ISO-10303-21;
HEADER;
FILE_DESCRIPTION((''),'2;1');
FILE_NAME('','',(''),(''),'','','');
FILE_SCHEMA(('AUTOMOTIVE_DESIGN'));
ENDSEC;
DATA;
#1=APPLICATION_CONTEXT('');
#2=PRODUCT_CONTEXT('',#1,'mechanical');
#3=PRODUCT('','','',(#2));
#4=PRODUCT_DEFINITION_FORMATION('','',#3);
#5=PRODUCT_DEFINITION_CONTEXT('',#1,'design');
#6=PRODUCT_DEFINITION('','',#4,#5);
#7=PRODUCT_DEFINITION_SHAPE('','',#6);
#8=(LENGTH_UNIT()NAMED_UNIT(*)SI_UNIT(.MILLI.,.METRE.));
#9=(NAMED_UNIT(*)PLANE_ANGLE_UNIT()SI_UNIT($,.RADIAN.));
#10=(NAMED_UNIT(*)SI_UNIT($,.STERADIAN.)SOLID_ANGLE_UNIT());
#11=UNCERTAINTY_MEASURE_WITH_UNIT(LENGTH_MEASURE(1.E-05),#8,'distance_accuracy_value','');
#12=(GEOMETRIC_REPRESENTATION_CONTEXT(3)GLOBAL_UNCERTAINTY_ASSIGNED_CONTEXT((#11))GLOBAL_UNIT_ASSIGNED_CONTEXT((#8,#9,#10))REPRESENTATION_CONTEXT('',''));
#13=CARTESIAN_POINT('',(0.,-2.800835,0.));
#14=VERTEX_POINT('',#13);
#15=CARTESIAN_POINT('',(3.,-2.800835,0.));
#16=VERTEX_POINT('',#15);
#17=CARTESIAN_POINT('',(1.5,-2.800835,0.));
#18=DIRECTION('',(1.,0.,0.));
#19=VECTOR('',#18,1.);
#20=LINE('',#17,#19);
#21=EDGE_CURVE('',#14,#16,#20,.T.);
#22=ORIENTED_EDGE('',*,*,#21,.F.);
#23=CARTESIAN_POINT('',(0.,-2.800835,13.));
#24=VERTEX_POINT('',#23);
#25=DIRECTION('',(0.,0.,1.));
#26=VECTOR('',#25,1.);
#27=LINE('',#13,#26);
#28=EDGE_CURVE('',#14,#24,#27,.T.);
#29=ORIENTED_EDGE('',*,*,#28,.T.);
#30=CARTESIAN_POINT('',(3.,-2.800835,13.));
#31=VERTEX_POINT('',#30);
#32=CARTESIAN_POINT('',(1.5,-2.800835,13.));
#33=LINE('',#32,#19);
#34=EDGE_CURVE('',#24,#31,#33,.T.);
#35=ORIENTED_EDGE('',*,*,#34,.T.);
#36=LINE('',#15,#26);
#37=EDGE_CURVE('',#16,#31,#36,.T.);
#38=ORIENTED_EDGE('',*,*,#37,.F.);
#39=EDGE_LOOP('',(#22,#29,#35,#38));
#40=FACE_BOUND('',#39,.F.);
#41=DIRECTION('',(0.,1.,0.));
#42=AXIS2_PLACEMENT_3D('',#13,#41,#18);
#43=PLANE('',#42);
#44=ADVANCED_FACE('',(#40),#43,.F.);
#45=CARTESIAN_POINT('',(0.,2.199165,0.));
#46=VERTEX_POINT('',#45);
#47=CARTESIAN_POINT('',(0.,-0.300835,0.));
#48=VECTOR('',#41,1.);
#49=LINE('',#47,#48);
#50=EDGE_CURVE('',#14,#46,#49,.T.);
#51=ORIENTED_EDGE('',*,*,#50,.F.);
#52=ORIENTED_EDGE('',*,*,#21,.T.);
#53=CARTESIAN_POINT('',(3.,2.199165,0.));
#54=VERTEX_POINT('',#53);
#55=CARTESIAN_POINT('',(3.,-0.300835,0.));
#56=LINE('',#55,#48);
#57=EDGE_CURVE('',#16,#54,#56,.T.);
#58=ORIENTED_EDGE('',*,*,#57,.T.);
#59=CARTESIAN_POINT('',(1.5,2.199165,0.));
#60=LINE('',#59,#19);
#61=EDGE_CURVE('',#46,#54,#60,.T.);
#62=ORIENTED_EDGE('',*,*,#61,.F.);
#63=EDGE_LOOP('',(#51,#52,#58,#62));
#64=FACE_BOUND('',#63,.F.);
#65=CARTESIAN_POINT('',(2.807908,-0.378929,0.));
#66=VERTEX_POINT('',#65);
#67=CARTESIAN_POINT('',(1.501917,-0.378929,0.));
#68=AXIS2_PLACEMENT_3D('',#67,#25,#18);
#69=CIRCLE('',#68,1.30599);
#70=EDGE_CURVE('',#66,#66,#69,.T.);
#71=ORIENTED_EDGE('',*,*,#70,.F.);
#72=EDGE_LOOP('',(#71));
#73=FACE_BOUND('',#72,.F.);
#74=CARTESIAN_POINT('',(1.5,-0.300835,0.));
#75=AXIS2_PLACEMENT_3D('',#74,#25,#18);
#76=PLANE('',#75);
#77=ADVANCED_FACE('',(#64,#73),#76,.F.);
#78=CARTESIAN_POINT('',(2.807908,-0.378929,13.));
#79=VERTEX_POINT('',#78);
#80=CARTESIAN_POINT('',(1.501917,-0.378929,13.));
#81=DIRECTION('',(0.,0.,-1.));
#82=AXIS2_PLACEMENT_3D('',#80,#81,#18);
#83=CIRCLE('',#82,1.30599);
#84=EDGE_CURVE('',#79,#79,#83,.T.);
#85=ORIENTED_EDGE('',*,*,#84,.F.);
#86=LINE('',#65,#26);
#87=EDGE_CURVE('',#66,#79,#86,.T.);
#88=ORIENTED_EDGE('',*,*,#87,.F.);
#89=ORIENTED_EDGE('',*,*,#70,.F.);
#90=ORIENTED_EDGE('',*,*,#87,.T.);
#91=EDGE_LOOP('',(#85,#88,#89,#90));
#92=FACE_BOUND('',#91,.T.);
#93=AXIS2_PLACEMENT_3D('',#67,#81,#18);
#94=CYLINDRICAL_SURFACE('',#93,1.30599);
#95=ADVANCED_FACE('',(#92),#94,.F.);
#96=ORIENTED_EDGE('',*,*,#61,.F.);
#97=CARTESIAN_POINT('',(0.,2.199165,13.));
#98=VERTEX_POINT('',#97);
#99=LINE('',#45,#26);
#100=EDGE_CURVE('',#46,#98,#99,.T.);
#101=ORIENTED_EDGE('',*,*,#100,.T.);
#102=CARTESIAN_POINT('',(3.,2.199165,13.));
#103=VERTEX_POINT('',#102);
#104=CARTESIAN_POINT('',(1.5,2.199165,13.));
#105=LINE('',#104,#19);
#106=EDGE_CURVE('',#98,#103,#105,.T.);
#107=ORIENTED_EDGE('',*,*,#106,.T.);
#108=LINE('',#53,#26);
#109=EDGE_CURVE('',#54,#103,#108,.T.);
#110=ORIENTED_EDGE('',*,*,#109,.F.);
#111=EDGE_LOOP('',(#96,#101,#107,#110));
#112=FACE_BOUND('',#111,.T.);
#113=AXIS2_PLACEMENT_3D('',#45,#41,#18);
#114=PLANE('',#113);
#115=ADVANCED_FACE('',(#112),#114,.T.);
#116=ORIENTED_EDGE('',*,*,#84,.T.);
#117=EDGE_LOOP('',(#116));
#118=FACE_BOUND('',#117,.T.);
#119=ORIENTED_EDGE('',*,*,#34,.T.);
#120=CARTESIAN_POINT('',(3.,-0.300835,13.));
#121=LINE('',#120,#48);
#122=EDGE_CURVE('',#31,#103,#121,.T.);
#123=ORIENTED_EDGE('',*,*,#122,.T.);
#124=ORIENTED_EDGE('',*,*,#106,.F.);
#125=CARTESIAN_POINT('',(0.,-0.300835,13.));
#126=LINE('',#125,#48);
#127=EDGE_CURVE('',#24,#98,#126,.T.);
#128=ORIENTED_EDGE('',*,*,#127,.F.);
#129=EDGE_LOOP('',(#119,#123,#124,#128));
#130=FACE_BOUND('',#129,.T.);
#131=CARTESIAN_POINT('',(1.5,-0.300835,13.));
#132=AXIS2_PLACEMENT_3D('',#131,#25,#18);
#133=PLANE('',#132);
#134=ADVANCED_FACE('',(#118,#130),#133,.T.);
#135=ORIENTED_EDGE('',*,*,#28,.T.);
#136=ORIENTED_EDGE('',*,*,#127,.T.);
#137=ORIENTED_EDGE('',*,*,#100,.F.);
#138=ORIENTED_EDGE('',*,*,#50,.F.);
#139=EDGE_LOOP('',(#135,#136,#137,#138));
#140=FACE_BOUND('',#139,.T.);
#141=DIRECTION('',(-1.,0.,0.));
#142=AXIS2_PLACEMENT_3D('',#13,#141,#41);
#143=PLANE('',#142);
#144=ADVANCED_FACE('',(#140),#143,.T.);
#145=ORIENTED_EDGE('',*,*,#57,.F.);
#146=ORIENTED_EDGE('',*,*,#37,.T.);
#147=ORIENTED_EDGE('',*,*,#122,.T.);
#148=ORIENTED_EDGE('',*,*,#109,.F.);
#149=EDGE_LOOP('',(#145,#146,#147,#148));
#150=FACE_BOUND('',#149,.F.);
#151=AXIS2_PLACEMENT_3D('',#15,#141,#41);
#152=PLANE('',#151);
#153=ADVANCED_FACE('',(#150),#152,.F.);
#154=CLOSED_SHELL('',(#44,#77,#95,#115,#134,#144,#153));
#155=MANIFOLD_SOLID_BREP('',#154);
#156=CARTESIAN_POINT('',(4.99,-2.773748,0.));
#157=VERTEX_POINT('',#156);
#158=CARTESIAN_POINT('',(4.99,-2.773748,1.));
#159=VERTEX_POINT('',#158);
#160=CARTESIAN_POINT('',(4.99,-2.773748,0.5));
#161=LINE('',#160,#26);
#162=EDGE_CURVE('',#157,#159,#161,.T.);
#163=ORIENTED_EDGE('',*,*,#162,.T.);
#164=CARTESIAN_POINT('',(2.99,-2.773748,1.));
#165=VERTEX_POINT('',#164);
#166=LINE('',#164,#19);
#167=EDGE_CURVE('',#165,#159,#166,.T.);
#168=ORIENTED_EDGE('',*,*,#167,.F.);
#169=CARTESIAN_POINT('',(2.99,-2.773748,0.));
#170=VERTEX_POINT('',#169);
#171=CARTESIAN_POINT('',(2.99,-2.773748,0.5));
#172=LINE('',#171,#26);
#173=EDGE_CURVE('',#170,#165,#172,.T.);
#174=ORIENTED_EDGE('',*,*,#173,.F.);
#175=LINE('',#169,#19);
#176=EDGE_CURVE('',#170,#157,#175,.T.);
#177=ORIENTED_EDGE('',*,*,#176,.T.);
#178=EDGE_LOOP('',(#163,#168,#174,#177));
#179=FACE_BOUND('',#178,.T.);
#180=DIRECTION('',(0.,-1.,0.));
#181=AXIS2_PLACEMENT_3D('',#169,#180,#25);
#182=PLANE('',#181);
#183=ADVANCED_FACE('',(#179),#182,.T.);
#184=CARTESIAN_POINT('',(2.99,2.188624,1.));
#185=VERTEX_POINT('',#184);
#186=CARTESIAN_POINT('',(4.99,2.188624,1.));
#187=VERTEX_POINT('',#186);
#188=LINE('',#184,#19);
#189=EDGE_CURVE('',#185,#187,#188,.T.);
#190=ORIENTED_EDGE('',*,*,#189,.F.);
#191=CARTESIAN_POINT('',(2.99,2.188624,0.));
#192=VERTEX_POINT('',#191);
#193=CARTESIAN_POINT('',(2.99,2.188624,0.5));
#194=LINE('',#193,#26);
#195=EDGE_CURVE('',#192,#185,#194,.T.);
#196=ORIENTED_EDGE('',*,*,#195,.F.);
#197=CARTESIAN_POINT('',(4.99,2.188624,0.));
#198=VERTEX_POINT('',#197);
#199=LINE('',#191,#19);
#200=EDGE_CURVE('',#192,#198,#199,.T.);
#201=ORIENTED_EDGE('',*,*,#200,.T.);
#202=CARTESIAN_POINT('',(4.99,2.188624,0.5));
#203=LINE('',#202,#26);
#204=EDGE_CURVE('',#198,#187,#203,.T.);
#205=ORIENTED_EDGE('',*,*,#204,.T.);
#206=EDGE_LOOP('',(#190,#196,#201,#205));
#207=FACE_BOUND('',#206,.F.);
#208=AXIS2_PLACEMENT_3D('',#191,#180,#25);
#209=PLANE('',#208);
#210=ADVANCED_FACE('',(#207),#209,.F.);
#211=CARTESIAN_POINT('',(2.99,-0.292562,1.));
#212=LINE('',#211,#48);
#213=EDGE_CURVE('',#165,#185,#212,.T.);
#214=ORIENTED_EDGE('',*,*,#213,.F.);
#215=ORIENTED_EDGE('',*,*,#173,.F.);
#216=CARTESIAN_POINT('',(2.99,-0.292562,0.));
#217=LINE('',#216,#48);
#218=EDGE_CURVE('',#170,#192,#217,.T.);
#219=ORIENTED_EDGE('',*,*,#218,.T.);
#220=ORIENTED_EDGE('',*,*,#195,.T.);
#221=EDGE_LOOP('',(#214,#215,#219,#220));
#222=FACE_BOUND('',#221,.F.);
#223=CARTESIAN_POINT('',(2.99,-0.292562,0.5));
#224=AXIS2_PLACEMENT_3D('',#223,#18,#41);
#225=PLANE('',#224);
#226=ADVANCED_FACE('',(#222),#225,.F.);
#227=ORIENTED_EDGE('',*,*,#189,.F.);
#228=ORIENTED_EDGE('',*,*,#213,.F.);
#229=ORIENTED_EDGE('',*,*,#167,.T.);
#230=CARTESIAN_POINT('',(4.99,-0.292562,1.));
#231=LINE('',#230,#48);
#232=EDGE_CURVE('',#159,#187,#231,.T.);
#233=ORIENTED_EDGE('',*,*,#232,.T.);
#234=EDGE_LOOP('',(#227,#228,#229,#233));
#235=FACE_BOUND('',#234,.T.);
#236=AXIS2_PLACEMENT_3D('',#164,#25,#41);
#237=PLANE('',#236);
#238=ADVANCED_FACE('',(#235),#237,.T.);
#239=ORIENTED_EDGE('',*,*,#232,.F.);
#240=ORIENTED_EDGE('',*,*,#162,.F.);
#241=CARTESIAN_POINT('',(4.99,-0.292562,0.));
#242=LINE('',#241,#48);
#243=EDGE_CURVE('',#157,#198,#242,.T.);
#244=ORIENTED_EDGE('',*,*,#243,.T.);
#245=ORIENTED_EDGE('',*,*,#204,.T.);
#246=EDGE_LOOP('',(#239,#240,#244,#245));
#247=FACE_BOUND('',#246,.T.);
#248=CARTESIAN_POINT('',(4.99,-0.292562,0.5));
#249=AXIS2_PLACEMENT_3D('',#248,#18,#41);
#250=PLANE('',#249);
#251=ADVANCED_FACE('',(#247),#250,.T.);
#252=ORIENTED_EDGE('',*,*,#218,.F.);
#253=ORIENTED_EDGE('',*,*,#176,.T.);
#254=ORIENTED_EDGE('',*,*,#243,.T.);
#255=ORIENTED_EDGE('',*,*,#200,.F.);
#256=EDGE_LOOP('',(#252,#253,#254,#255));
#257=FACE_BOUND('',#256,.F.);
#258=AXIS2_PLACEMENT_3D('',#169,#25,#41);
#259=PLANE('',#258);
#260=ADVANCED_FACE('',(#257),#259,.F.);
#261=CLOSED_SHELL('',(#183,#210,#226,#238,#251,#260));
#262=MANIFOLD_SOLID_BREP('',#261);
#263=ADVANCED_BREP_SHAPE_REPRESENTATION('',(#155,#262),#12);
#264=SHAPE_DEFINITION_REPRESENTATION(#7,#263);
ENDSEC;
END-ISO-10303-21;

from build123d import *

# Parameters (mm, degrees)
F0_W     = 3
F0_H     = 5
F1_DEPTH = 13
F3_W     = 4.9623721501
F3_H     = 1
F4_DEPTH = 2
F5_R     = 1.3059904098
F6_DEPTH = 43.8


with BuildPart() as f1:
    # F0 (on Top) → F1 (new body)
    with BuildSketch(Plane.XY):
        with Locations((1.5, -0.3008348739)):
            Rectangle(F0_W, F0_H)
    extrude(amount=F1_DEPTH)

    # F5 (on Top) → F6 (cut)
    with BuildSketch(Plane.XY):
        with Locations((1.5019174898, -0.378929486)):
            Circle(F5_R)
    extrude(amount=F6_DEPTH, mode=Mode.SUBTRACT)


with BuildPart() as f4:
    # F3 (on offset) → F4 (new body)
    with BuildSketch(Plane.YZ.offset(2.99)):
        with Locations((-0.2925620512, 0.5)):
            Rectangle(F3_W, F3_H)
    extrude(amount=F4_DEPTH)


solid = Compound([f1.part, f4.part])
